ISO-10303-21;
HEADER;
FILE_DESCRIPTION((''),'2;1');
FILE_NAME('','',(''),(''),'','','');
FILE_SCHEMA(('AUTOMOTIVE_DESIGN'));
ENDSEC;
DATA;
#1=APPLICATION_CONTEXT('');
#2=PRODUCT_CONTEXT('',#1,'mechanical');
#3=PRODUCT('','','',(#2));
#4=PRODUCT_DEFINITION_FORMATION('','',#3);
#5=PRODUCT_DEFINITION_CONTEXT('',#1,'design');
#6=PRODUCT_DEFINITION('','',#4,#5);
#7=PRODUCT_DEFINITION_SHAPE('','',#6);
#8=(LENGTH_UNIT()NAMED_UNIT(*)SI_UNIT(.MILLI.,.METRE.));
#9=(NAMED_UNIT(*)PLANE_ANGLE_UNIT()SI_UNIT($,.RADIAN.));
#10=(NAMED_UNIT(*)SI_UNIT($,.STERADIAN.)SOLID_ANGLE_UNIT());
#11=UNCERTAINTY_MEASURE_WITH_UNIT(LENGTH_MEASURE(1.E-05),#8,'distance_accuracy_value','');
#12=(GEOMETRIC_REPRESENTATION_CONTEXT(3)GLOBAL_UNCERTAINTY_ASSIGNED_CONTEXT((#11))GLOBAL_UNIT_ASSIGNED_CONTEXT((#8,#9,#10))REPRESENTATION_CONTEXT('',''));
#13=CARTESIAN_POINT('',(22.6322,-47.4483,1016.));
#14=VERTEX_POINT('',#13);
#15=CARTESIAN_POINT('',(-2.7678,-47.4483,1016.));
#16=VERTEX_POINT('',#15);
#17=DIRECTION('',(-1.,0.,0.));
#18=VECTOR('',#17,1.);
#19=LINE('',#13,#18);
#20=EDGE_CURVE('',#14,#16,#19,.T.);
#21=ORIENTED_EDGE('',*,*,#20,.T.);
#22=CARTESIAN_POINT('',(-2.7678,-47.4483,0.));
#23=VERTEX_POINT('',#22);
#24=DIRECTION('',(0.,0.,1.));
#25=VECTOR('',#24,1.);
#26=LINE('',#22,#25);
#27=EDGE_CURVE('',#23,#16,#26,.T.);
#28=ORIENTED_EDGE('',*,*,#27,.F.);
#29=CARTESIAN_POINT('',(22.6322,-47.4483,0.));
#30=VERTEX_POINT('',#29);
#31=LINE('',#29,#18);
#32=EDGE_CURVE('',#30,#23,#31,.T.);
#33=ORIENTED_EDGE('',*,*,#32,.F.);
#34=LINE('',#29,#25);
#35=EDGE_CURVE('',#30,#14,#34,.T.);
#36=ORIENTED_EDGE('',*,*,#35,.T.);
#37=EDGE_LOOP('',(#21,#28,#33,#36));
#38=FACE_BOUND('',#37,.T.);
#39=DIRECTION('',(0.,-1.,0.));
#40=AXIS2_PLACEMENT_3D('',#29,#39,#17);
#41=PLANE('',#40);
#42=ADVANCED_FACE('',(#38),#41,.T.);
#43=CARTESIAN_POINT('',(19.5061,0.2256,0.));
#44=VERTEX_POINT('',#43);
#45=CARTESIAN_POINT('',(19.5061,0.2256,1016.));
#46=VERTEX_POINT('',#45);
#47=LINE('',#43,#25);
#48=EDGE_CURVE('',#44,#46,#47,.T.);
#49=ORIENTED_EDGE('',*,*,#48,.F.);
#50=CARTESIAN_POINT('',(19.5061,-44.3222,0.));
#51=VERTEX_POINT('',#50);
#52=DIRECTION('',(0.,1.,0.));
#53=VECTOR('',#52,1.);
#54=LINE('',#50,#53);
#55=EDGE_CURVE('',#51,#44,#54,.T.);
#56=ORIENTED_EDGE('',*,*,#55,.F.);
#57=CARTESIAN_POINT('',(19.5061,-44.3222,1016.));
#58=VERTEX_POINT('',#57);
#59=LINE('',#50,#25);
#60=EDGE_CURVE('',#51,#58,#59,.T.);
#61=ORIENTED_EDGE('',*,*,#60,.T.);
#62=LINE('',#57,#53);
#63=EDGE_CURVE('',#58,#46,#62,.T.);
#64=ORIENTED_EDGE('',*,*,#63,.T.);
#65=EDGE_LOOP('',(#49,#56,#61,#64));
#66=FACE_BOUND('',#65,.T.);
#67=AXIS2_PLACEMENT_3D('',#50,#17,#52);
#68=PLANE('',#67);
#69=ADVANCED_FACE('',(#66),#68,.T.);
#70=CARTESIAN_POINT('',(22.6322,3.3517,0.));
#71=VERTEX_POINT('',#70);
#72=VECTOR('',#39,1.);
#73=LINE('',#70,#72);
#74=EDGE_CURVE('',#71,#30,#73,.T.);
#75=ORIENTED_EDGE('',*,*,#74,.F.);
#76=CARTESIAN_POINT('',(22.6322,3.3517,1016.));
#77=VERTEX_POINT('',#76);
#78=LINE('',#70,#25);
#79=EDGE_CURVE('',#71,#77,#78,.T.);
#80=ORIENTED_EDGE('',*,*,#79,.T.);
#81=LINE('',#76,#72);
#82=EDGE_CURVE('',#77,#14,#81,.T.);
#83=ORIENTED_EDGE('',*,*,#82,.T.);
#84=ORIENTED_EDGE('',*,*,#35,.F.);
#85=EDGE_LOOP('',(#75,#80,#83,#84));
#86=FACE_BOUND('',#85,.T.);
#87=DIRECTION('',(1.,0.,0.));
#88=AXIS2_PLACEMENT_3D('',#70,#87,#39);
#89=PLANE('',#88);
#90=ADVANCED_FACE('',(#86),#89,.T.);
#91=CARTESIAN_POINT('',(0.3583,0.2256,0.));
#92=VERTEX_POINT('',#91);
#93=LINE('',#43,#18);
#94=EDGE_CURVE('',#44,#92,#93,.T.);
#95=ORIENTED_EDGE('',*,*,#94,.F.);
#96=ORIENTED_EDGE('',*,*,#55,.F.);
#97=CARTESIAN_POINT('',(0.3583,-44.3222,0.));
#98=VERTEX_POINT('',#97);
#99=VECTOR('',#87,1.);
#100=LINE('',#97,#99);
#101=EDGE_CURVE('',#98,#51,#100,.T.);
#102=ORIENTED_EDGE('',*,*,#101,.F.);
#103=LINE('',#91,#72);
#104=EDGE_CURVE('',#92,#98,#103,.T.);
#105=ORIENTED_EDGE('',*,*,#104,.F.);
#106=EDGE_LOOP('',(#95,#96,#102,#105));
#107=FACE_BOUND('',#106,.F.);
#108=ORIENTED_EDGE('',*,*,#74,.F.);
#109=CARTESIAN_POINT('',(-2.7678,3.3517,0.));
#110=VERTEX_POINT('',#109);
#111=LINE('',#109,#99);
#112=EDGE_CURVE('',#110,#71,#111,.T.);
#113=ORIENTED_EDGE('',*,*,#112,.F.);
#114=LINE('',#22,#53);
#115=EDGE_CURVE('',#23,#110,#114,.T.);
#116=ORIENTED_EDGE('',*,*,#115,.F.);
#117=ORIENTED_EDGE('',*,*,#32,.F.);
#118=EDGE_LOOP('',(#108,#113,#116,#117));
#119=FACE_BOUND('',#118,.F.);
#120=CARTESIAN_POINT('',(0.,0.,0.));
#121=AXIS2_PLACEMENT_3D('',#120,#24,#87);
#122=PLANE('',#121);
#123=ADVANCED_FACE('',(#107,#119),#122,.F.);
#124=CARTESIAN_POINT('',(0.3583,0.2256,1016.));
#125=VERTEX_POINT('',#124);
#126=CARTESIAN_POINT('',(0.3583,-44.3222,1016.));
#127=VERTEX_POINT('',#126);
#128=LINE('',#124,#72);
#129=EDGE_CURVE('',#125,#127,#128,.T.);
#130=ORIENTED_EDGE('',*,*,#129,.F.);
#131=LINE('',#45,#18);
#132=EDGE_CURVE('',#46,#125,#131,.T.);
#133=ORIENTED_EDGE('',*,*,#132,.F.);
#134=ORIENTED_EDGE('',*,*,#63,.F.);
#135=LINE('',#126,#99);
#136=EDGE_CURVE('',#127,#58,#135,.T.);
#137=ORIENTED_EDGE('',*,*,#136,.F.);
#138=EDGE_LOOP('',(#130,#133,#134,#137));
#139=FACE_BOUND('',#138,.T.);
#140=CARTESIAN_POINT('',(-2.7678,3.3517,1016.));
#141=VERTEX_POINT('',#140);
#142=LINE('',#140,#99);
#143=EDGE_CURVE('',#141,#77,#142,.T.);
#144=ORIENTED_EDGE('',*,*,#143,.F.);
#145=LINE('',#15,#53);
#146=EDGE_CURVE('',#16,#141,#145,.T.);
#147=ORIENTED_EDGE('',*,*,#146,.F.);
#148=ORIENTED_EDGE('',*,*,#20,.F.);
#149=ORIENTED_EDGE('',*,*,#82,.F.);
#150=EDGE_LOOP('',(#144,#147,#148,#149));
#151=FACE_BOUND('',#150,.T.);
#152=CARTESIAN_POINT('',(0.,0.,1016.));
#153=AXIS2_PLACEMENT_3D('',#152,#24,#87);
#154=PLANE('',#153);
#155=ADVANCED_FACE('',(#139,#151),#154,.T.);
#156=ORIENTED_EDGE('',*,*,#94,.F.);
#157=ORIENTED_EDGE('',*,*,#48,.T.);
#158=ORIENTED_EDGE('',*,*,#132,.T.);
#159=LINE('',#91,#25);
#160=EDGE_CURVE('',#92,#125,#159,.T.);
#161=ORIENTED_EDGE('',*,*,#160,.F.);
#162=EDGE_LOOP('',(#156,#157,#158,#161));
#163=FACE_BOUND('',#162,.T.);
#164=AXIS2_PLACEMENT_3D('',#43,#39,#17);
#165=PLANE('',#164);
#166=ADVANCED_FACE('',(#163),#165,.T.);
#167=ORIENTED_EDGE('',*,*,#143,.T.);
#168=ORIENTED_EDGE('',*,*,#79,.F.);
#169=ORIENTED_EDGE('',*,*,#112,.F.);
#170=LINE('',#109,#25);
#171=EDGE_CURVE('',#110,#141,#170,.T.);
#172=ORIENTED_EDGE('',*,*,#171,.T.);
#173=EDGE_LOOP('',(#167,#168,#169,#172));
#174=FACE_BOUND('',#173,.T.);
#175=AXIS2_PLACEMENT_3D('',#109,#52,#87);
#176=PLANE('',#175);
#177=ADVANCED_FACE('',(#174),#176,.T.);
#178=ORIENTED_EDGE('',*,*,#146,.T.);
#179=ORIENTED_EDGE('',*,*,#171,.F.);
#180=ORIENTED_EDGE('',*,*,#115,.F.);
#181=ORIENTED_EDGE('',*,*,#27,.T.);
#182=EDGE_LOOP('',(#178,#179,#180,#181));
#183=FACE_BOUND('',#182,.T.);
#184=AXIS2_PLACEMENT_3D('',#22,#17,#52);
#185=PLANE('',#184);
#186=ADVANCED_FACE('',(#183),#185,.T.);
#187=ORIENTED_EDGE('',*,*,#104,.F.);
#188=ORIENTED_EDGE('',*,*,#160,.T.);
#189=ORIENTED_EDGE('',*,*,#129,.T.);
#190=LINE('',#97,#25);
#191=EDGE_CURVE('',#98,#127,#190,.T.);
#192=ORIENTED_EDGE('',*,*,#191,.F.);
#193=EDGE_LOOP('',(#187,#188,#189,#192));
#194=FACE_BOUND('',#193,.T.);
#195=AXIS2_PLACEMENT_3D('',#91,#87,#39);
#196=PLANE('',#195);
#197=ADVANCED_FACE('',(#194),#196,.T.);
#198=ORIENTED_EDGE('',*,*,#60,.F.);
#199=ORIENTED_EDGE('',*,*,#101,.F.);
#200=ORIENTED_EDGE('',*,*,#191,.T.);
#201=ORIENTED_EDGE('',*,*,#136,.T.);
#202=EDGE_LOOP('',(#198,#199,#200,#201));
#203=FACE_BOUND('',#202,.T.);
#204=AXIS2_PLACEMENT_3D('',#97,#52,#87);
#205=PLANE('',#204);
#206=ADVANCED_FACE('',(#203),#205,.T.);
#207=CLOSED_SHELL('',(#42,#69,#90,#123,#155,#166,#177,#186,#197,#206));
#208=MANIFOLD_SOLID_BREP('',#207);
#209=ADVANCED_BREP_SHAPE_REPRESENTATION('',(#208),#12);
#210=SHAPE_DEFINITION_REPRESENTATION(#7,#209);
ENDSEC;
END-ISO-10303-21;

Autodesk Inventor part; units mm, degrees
ref_plane "YZ Plane" through (0, 0, 0) normal (1, 0, 0) x (0, 1, 0)
ref_plane "XZ Plane" through (0, 0, 0) normal (0, 1, 0) x (-1, 0, 0)
ref_plane "XY Plane" through (0, 0, 0) normal (0, 0, 1) x (1, 0, 0)
sketch "Sketch1" plane through (0, 0, 0) normal (0, 0, 1) x (1, 0, 0)
  line L0 (-2.7678, 3.3517) -> (22.6322, 3.3517)
  line L1 (22.6322, 3.3517) -> (22.6322, -47.4483)
  line L2 (22.6322, -47.4483) -> (-2.7678, -47.4483)
  line L3 (-2.7678, -47.4483) -> (-2.7678, 3.3517)
  line L4 (19.5061, 0.2256) -> (0.3583, 0.2256)
  line L5 (0.3583, 0.2256) -> (0.3583, -44.3222)
  line L6 (0.3583, -44.3222) -> (19.5061, -44.3222)
  line L7 (19.5061, -44.3222) -> (19.5061, 0.2256)
  point P0 (0, 0)
  dimension "d0" = 25.4
  dimension "d1" = 50.8
extrude "Extrusion1" add sketch "Sketch1" along normal blind 1016
sketch "Sketch2" plane through (-2.7678, 3.3517, 0) normal (0, 1, 0) x (1, 0, 0)
  point P0 (2.7678, 0)
properties part number "40in 2x1 boxbeam"
